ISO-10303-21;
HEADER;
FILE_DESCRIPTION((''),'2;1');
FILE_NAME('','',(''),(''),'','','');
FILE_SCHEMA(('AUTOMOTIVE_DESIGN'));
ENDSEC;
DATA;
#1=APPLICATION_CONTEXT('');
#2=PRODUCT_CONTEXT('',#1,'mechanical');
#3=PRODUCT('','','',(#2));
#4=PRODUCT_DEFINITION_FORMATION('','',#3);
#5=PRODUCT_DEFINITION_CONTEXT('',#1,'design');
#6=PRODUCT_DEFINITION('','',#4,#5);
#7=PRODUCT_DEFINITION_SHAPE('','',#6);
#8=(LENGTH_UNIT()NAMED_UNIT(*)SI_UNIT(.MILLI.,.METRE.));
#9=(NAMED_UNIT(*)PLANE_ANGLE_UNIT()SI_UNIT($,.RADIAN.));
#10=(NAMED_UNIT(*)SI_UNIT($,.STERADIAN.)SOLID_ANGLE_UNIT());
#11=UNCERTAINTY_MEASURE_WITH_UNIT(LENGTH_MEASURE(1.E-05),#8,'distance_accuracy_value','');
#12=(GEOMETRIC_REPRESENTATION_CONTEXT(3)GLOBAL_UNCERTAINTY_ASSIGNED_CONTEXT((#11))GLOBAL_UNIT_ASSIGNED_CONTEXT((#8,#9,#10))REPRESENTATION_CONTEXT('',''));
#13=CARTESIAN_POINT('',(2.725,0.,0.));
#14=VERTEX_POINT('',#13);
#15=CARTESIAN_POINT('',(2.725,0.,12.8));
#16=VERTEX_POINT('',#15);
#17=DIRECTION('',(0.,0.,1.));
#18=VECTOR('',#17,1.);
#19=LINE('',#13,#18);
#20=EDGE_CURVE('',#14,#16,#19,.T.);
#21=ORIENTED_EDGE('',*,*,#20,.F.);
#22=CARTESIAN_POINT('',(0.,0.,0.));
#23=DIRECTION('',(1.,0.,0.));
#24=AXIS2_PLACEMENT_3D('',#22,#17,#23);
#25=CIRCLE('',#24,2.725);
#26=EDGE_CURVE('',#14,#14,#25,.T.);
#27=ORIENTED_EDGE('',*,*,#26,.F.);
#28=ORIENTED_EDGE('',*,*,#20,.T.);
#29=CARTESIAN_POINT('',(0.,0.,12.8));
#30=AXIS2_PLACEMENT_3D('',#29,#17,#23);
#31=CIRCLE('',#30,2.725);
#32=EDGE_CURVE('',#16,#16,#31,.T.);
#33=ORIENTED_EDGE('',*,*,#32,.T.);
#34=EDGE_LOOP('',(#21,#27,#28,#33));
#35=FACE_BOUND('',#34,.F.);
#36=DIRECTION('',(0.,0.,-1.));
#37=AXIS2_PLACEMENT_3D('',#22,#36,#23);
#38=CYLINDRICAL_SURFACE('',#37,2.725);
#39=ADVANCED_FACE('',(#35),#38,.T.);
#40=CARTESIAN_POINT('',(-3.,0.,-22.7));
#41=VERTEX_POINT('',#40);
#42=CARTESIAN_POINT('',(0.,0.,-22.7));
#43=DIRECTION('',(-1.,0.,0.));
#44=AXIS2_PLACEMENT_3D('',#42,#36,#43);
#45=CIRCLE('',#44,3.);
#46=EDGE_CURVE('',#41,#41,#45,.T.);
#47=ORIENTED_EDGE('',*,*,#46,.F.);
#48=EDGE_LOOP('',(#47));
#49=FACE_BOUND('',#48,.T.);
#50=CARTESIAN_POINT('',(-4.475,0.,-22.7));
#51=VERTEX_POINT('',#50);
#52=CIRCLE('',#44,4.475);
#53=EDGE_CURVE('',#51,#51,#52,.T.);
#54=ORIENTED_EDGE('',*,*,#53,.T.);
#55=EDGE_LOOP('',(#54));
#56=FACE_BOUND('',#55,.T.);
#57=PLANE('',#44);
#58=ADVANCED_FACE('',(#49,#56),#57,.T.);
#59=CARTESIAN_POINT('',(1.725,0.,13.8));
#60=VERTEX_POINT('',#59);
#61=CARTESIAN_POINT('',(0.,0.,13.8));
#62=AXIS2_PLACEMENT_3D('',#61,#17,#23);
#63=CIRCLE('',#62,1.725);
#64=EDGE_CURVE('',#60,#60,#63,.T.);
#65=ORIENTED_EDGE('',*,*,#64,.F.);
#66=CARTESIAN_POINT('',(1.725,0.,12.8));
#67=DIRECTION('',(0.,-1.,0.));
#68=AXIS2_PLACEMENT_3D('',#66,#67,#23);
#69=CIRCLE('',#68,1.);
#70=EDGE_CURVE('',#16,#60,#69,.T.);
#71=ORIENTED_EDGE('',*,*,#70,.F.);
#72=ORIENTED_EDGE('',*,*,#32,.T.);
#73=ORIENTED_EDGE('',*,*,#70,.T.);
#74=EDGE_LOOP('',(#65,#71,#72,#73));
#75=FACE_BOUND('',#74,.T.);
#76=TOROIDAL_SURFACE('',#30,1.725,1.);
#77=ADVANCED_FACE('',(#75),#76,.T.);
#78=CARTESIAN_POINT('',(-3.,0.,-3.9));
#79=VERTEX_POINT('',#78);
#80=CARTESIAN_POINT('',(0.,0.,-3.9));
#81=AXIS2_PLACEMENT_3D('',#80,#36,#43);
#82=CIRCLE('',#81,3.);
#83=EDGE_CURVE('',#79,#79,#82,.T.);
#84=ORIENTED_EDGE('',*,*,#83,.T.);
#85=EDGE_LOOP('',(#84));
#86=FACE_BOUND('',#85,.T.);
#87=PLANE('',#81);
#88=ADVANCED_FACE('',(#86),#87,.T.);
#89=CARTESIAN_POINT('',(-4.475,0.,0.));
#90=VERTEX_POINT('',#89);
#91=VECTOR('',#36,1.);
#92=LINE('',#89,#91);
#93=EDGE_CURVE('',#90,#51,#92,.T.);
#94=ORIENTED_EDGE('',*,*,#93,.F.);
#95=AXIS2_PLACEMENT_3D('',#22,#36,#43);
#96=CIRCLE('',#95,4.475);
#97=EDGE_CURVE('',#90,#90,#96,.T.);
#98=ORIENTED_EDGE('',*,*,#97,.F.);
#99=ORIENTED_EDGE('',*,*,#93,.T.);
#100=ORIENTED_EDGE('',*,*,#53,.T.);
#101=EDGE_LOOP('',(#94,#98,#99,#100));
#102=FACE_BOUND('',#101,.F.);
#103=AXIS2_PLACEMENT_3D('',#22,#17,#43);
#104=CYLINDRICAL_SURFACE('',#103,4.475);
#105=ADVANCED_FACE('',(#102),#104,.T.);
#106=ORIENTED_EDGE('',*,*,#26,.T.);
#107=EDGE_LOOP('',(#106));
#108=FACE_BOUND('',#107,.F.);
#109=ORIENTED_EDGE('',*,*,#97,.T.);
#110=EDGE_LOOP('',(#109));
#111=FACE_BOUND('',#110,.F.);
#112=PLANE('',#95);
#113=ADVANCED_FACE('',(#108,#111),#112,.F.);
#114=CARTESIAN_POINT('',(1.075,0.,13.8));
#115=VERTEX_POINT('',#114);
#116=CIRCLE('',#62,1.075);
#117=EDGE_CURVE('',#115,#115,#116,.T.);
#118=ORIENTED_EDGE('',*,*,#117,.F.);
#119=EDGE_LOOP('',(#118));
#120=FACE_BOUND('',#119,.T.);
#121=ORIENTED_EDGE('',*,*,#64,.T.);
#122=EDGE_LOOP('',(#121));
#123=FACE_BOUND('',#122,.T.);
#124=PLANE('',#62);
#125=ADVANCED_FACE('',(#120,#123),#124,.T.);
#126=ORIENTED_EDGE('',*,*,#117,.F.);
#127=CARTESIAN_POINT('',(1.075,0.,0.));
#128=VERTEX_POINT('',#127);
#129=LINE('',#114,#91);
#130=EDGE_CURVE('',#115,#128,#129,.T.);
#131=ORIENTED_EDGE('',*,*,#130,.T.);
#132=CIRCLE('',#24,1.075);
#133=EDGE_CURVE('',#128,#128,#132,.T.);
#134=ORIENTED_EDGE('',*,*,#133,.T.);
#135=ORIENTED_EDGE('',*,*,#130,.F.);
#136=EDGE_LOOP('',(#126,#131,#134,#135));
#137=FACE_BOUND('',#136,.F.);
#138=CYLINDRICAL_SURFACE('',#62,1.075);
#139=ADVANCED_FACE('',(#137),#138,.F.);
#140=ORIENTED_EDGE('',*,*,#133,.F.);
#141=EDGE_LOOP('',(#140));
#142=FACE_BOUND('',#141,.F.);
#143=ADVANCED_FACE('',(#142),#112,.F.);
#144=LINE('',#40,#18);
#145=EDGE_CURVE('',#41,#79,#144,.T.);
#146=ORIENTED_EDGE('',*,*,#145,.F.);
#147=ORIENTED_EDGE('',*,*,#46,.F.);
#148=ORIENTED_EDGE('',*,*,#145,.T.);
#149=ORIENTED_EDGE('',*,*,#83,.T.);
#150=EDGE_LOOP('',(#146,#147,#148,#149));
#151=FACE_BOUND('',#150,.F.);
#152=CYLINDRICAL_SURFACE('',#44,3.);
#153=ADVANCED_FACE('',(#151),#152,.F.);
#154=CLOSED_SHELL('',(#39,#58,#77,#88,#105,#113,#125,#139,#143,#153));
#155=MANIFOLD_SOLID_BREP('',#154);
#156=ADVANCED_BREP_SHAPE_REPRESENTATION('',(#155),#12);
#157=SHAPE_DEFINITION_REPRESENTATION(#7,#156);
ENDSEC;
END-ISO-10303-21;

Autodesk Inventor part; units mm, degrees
ref_plane "YZ Plane" through (0, 0, 0) normal (1, 0, 0) x (0, 1, 0)
ref_plane "XZ Plane" through (0, 0, 0) normal (0, 1, 0) x (-1, 0, 0)
ref_plane "XY Plane" through (0, 0, 0) normal (0, 0, 1) x (1, 0, 0)
sketch "스케치1" plane through (0, 0, 0) normal (0, 0, 1) x (1, 0, 0)
  circle A0 centre (0, 0) radius 2.725
  dimension "d0" = 5.45
extrude "돌출1" add sketch "스케치1" along normal blind 13.8
sketch "스케치2" plane through (0, 0, 13.8) normal (0, 0, 1) x (1, 0, 0)
  circle A0 centre (0, 0) radius 1.075
  dimension "d3" = 2.15
extrude "돌출2" cut sketch "스케치2" against normal blind 20.45
fillet "모깎기1" radius 1 1 edges at (-2.725, 0, 13.8)
sketch "스케치3" plane through (0, 0, 0) normal (0, 0, -1) x (-1, 0, 0)
  circle A0 centre (0, 0) radius 4.475
  dimension "d7" = 8.95
extrude "돌출3" add sketch "스케치3" along normal blind 22.7
sketch "스케치4" plane through (0, 0, -22.7) normal (0, 0, -1) x (-1, 0, 0)
  circle A0 centre (0, 0) radius 1.075 projected
  circle A1 centre (0, 0) radius 3
  dimension "d10" = 6
extrude "돌출4" cut sketch "스케치4" against normal blind 18.8 contours A0 | A1
properties part number "DC_PLUG"
